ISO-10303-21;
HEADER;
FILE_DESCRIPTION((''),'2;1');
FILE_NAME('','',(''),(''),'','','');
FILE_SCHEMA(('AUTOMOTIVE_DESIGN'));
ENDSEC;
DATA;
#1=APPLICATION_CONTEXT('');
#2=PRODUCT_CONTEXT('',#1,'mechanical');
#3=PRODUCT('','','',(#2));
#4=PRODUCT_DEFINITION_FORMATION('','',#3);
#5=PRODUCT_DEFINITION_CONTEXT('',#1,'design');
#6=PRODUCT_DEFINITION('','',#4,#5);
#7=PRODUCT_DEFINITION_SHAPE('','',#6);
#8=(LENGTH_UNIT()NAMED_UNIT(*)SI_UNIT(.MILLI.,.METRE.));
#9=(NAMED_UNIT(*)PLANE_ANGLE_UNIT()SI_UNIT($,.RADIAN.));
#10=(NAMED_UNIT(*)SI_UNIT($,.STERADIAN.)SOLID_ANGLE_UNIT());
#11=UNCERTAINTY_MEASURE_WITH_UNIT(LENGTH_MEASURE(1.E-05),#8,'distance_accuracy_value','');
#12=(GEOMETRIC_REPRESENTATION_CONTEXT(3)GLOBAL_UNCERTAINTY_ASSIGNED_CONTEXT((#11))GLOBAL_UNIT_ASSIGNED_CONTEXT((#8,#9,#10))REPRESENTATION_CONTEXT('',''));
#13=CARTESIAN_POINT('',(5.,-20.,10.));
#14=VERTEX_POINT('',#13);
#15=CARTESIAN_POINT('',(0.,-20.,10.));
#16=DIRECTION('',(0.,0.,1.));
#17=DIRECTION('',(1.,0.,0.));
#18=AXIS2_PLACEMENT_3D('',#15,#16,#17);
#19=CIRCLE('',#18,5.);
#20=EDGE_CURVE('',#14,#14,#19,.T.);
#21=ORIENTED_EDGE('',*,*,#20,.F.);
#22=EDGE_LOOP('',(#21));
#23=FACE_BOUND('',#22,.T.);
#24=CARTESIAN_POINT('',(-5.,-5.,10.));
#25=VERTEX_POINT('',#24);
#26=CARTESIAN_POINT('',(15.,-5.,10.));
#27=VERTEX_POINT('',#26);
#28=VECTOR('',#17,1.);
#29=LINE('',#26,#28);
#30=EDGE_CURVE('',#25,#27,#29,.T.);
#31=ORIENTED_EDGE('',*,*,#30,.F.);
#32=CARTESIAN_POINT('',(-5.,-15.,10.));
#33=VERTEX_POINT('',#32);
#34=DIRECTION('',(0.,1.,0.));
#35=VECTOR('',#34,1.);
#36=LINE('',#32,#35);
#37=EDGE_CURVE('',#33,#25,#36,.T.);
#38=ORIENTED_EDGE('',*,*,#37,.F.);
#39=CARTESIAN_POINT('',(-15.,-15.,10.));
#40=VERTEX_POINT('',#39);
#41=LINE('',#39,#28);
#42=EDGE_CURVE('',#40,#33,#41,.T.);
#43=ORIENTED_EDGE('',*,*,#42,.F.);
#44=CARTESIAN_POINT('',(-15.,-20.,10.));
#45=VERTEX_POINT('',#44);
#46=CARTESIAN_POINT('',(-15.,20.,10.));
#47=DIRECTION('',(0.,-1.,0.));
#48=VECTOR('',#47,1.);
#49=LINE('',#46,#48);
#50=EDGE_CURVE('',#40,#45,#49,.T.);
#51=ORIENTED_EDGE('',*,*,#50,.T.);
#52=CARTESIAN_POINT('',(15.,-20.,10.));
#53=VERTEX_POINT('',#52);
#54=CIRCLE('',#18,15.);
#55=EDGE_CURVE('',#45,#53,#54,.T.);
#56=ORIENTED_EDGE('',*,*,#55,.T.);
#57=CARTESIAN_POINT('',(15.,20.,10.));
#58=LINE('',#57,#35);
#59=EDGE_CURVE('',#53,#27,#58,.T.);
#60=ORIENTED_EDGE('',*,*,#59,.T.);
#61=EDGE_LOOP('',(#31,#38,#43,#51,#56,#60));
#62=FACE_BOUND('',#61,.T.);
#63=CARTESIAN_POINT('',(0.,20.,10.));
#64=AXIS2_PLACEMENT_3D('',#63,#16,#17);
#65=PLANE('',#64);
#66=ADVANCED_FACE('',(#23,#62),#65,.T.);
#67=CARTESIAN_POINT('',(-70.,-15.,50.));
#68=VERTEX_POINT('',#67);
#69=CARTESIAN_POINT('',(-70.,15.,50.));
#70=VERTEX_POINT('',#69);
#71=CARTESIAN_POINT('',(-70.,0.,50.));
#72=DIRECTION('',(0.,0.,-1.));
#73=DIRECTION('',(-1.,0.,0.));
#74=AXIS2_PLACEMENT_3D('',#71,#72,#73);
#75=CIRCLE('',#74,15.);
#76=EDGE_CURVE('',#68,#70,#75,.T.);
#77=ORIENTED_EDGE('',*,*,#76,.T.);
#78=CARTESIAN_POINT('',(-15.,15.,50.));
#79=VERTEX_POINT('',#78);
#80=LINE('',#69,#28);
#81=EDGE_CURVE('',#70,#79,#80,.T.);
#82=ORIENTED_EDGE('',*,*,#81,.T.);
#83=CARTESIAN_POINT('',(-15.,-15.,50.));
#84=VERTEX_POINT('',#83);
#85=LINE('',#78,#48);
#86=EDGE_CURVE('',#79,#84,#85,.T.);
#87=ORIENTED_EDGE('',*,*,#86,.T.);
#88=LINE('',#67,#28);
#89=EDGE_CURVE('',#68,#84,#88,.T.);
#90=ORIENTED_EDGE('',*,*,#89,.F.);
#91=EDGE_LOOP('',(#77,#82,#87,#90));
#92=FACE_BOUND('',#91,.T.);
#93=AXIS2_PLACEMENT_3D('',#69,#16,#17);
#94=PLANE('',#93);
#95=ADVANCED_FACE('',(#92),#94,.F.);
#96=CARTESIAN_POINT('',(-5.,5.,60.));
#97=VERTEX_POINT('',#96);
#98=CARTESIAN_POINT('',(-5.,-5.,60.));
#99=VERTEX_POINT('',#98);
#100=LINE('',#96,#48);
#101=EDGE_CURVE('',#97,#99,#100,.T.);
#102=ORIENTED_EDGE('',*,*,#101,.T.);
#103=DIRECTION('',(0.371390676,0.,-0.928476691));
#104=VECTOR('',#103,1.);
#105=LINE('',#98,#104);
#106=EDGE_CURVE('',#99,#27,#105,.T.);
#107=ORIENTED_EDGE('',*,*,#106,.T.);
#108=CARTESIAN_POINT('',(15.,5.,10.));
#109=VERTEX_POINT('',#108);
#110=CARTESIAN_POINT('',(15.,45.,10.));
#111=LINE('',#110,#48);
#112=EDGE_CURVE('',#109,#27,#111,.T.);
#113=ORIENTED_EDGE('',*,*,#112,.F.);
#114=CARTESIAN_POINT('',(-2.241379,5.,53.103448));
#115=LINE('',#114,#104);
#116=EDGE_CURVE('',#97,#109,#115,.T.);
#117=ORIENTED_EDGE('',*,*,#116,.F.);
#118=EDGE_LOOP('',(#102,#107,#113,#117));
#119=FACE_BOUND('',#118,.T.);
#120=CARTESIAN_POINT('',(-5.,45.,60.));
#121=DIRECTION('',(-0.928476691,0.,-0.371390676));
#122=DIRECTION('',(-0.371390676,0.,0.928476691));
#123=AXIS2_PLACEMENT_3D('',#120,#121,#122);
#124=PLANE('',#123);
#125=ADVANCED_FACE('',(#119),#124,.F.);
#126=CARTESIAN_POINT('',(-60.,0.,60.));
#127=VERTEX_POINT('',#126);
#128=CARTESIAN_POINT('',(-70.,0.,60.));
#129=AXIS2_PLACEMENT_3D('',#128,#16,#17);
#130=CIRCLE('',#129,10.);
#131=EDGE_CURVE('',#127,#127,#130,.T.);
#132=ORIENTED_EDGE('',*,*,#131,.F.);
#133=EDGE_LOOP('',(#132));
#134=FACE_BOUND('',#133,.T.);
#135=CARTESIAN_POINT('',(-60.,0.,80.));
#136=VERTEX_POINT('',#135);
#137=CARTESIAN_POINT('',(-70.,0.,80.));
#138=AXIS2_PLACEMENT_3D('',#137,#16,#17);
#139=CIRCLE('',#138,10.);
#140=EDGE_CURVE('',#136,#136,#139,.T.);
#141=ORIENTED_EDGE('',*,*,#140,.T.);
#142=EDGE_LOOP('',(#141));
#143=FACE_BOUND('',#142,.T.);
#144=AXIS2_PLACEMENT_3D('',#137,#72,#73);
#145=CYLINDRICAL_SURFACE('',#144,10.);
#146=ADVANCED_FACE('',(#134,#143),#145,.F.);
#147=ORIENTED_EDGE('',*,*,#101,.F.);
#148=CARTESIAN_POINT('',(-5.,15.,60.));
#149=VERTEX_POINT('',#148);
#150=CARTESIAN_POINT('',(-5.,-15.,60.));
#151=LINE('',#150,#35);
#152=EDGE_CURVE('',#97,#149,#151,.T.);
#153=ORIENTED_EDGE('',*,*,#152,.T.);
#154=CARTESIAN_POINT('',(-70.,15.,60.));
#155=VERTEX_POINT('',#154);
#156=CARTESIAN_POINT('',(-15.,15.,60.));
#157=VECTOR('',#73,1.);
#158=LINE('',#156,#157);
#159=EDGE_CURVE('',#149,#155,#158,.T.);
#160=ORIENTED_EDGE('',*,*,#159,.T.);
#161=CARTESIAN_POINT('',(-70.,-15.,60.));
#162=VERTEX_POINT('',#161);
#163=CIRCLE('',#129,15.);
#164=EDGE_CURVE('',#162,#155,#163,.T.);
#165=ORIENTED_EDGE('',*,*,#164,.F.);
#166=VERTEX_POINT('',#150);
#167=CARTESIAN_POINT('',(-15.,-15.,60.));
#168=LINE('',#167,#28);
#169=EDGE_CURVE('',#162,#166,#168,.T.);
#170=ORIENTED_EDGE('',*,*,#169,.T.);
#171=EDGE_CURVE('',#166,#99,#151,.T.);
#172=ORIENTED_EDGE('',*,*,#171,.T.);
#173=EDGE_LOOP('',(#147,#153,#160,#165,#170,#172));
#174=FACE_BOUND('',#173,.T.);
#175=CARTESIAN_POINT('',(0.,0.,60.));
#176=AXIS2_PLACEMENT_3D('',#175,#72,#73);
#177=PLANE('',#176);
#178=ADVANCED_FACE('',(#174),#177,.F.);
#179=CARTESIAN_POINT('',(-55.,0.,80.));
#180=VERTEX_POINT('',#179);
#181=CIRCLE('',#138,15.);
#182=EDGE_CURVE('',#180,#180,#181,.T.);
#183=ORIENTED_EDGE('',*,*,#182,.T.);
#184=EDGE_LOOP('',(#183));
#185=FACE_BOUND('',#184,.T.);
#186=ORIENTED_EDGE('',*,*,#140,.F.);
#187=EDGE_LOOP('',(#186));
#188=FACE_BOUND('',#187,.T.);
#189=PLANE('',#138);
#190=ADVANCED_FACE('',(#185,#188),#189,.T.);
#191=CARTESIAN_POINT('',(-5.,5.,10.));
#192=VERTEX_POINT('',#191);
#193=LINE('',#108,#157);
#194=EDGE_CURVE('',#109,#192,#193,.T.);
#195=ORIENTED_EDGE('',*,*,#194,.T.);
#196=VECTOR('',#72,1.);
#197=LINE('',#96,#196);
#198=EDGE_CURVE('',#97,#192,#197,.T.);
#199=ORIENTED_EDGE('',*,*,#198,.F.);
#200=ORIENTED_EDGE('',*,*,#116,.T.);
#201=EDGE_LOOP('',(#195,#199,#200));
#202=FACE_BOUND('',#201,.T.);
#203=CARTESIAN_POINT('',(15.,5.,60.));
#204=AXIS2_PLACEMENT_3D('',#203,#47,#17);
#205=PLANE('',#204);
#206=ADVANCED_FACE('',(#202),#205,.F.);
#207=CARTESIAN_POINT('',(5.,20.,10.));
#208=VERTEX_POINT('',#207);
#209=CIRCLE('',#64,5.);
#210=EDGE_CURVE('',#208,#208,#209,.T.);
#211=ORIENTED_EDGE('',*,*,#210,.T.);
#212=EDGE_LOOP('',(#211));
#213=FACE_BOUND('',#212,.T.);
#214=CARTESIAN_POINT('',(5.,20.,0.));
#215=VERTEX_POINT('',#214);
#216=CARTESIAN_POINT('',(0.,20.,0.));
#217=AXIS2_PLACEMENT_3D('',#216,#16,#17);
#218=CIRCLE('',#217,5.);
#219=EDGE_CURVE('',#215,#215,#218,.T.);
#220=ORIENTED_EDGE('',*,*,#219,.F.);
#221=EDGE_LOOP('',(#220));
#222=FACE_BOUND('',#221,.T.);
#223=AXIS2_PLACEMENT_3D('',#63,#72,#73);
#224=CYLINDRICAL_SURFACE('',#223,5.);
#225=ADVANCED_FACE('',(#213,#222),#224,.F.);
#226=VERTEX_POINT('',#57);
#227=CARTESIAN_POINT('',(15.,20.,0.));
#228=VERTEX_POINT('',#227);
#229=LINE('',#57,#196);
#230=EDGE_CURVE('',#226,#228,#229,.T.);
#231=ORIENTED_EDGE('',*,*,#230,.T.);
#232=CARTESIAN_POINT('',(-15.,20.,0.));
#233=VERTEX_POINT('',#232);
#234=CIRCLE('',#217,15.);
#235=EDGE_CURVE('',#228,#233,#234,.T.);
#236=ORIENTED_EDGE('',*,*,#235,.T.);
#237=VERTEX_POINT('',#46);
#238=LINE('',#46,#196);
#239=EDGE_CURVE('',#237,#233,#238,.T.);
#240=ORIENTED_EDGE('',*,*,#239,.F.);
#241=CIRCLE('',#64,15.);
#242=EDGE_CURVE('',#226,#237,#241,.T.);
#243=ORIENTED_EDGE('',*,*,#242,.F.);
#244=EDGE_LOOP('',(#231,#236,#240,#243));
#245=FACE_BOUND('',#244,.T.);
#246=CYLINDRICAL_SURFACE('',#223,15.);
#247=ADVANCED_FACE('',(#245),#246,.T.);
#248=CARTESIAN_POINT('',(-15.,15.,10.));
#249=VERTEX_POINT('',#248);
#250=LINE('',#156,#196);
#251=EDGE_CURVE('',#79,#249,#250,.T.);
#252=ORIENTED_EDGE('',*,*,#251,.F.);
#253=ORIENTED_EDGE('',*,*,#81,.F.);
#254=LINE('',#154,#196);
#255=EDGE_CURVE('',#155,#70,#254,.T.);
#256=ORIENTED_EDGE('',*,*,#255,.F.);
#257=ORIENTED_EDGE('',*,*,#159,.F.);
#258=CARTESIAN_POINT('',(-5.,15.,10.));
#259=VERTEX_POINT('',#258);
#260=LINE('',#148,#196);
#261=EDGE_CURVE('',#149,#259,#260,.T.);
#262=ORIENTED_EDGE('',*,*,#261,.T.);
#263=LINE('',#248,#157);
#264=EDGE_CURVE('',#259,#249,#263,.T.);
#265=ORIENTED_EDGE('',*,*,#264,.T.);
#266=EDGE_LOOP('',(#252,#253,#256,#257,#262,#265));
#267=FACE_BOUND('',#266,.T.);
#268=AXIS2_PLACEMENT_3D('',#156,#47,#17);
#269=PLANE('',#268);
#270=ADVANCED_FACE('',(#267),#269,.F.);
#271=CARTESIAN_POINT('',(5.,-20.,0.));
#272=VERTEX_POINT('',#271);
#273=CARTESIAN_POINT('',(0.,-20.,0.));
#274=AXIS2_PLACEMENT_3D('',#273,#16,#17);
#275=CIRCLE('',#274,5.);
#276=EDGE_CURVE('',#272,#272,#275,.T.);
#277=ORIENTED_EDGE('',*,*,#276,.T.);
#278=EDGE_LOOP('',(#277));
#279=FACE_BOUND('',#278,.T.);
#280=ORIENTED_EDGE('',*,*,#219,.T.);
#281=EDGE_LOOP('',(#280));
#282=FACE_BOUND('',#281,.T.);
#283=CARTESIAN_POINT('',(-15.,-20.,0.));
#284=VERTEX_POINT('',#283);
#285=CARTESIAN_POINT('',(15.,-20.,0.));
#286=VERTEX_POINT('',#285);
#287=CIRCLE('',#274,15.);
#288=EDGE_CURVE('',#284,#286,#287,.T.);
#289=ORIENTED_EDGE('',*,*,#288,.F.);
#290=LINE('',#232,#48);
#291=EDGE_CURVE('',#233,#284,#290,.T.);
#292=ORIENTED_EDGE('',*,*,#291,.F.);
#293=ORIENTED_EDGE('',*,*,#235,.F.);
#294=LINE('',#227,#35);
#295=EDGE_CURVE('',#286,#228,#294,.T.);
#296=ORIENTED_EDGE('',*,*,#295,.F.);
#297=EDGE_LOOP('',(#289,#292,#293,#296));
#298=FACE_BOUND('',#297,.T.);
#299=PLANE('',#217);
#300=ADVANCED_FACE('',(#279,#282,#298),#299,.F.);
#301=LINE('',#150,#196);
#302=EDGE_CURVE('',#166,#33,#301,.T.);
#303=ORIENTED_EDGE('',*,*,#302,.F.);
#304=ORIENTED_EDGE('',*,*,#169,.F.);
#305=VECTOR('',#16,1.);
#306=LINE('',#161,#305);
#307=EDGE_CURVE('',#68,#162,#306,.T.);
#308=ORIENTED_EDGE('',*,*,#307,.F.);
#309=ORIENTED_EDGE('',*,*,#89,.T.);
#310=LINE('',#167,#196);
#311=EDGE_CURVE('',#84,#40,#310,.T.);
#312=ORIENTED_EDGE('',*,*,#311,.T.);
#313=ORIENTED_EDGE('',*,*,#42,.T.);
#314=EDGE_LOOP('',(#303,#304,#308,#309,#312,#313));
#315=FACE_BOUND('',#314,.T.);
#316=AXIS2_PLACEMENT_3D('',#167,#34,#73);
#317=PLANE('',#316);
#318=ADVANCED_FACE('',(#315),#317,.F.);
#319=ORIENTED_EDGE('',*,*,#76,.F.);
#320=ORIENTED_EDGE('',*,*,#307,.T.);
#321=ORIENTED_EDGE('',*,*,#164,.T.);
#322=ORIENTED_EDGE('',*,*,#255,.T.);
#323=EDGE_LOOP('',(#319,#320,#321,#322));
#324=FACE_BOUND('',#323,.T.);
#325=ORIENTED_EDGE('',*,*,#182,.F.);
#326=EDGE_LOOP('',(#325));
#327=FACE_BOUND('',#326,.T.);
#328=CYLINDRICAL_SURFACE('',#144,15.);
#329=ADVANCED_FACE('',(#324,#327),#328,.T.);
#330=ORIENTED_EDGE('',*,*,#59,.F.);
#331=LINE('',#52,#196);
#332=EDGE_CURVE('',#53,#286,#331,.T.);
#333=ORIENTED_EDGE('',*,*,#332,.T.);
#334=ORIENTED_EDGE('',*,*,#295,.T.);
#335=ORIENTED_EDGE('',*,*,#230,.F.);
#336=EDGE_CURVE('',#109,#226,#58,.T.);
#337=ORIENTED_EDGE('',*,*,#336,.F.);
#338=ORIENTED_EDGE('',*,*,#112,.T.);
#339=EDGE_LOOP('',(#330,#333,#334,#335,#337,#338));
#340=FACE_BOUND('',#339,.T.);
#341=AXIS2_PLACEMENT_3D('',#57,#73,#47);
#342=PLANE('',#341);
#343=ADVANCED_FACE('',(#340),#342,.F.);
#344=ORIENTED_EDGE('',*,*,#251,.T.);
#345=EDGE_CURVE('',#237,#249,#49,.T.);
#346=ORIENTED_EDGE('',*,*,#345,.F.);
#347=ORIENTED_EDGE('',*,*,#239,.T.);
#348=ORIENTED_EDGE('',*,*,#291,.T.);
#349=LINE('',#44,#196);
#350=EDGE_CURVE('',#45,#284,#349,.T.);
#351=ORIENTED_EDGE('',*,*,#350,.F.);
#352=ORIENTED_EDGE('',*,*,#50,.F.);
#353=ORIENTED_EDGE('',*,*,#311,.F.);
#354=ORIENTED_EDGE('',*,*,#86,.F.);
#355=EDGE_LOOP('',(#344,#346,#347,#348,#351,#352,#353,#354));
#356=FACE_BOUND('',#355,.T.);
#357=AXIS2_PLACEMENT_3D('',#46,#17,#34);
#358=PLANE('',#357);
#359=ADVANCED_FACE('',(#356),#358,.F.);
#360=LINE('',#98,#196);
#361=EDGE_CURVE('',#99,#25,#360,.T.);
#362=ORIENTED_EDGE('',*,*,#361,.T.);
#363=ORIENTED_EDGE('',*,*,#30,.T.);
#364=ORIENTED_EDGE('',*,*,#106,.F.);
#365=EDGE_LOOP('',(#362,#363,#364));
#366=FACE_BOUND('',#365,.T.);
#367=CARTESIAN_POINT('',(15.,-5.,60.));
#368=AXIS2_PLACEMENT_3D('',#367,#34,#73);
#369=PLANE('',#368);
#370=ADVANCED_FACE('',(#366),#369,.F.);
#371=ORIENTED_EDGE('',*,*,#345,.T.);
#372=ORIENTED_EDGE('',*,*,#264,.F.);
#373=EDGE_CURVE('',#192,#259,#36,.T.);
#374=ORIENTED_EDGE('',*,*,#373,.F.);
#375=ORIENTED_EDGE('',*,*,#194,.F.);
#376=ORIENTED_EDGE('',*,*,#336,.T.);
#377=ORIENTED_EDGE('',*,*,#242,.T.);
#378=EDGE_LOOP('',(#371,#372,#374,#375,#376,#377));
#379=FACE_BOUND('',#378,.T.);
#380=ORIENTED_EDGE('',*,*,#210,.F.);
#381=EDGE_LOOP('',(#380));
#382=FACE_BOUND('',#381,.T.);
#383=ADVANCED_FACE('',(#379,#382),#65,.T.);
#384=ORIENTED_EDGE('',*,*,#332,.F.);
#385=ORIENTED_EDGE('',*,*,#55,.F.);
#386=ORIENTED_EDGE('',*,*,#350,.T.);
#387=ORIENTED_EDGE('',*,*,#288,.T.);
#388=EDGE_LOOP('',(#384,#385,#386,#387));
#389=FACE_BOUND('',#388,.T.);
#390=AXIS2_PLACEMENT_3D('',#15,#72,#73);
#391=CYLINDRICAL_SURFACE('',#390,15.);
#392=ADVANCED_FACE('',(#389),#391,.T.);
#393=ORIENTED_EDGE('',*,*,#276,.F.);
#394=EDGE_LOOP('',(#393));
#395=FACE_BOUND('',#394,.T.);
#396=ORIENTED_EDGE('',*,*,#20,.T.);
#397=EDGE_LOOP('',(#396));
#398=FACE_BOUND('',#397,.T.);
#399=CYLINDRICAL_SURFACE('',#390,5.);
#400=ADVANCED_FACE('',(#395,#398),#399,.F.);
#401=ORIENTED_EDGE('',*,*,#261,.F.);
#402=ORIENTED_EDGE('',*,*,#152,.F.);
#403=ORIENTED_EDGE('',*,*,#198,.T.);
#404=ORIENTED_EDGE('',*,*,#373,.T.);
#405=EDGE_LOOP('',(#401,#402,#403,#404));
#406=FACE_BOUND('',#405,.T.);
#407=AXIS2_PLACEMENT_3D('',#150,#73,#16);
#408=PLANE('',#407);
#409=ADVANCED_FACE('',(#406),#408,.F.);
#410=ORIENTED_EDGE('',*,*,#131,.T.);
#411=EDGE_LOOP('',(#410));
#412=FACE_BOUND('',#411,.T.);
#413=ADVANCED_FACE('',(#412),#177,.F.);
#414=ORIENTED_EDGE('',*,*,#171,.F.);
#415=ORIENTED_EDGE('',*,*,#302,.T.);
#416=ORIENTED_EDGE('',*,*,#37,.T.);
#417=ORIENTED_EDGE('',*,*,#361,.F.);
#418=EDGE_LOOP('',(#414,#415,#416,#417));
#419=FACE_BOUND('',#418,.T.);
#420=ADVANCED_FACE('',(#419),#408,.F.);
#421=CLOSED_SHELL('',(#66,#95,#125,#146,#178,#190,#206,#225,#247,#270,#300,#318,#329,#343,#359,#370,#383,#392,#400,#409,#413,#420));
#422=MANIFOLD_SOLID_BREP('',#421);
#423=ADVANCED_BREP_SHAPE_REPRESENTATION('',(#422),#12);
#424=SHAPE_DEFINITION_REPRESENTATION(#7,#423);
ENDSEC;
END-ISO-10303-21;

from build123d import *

# Parameters (mm, degrees)
SKETCH_1_R          = 5
EXTRUDE_1_DEPTH     = 10
SKETCH_2_W          = 20
SKETCH_2_H          = 10
EXTRUDE_2_DEPTH     = 50
CUT_EXTRUDE_1_DEPTH = 50
SKETCH_5_W          = 10
SKETCH_5_H          = 30
EXTRUDE_3_DEPTH     = 50
SKETCH_6_W          = 10
SKETCH_6_H          = 30
EXTRUDE_4_DEPTH     = 55
SKETCH_7_R          = 15
SKETCH_7_R_2        = 10
EXTRUDE_5_DEPTH     = 20
SKETCH_8_R          = 15
EXTRUDE_6_DEPTH     = 10


with BuildPart() as part:
    # 草圖1 → 填料-伸長1 (new body)
    with BuildSketch(Plane.XY):
        with BuildLine():
            Line((15, 20), (15, -20))
            ThreePointArc((15, -20), (0, -35), (-15, -20))
            Line((-15, -20), (-15, 20))
            ThreePointArc((-15, 20), (0, 35), (15, 20))
        make_face()
        with Locations((0, -20)):
            Circle(SKETCH_1_R, mode=Mode.SUBTRACT)
        with Locations((0, 20)):
            Circle(SKETCH_1_R, mode=Mode.SUBTRACT)
    extrude(amount=EXTRUDE_1_DEPTH)

    # 草圖2 → 填料-伸長2 (add)
    with BuildSketch(Plane.XY.offset(10)):
        with Locations((5, 0)):
            Rectangle(SKETCH_2_W, SKETCH_2_H)
    extrude(amount=EXTRUDE_2_DEPTH)

    # 草圖4 → 除料-伸長1 (cut)
    with BuildSketch(Plane.XZ.offset(5)):
        Polygon((-5, 60), (15, 10), (15, 60), align=None)
    extrude(amount=-CUT_EXTRUDE_1_DEPTH, mode=Mode.SUBTRACT)

    # 草圖5 → 填料-伸長3 (add)
    with BuildSketch(Plane.XY.offset(10)):
        with Locations((-10, 0)):
            Rectangle(SKETCH_5_W, SKETCH_5_H)
    extrude(amount=EXTRUDE_3_DEPTH)

    # 草圖6 → 填料-伸長4 (add)
    with BuildSketch(Plane.ZY.offset(15)):
        with Locations((55, 0)):
            Rectangle(SKETCH_6_W, SKETCH_6_H)
    extrude(amount=EXTRUDE_4_DEPTH)

    # 草圖7 → 填料-伸長5 (add)
    with BuildSketch(Plane.XY.offset(60)):
        with Locations(Location((-70, 0, 0), (0, 0, 270))):
            Circle(SKETCH_7_R)
        with Locations(Location((-70, 0, 0), (0, 0, 90))):
            Circle(SKETCH_7_R_2, mode=Mode.SUBTRACT)
    extrude(amount=EXTRUDE_5_DEPTH)

    # 草圖8 → 填料-伸長6 (add)
    with BuildSketch(Plane(origin=(0, 0, 50), x_dir=(-1, 0, 0), z_dir=(0, 0, -1))):
        with Locations(Location((70, 0, 0), (0, 0, 90))):
            Circle(SKETCH_8_R)
    extrude(amount=-EXTRUDE_6_DEPTH)


solid = part.part
